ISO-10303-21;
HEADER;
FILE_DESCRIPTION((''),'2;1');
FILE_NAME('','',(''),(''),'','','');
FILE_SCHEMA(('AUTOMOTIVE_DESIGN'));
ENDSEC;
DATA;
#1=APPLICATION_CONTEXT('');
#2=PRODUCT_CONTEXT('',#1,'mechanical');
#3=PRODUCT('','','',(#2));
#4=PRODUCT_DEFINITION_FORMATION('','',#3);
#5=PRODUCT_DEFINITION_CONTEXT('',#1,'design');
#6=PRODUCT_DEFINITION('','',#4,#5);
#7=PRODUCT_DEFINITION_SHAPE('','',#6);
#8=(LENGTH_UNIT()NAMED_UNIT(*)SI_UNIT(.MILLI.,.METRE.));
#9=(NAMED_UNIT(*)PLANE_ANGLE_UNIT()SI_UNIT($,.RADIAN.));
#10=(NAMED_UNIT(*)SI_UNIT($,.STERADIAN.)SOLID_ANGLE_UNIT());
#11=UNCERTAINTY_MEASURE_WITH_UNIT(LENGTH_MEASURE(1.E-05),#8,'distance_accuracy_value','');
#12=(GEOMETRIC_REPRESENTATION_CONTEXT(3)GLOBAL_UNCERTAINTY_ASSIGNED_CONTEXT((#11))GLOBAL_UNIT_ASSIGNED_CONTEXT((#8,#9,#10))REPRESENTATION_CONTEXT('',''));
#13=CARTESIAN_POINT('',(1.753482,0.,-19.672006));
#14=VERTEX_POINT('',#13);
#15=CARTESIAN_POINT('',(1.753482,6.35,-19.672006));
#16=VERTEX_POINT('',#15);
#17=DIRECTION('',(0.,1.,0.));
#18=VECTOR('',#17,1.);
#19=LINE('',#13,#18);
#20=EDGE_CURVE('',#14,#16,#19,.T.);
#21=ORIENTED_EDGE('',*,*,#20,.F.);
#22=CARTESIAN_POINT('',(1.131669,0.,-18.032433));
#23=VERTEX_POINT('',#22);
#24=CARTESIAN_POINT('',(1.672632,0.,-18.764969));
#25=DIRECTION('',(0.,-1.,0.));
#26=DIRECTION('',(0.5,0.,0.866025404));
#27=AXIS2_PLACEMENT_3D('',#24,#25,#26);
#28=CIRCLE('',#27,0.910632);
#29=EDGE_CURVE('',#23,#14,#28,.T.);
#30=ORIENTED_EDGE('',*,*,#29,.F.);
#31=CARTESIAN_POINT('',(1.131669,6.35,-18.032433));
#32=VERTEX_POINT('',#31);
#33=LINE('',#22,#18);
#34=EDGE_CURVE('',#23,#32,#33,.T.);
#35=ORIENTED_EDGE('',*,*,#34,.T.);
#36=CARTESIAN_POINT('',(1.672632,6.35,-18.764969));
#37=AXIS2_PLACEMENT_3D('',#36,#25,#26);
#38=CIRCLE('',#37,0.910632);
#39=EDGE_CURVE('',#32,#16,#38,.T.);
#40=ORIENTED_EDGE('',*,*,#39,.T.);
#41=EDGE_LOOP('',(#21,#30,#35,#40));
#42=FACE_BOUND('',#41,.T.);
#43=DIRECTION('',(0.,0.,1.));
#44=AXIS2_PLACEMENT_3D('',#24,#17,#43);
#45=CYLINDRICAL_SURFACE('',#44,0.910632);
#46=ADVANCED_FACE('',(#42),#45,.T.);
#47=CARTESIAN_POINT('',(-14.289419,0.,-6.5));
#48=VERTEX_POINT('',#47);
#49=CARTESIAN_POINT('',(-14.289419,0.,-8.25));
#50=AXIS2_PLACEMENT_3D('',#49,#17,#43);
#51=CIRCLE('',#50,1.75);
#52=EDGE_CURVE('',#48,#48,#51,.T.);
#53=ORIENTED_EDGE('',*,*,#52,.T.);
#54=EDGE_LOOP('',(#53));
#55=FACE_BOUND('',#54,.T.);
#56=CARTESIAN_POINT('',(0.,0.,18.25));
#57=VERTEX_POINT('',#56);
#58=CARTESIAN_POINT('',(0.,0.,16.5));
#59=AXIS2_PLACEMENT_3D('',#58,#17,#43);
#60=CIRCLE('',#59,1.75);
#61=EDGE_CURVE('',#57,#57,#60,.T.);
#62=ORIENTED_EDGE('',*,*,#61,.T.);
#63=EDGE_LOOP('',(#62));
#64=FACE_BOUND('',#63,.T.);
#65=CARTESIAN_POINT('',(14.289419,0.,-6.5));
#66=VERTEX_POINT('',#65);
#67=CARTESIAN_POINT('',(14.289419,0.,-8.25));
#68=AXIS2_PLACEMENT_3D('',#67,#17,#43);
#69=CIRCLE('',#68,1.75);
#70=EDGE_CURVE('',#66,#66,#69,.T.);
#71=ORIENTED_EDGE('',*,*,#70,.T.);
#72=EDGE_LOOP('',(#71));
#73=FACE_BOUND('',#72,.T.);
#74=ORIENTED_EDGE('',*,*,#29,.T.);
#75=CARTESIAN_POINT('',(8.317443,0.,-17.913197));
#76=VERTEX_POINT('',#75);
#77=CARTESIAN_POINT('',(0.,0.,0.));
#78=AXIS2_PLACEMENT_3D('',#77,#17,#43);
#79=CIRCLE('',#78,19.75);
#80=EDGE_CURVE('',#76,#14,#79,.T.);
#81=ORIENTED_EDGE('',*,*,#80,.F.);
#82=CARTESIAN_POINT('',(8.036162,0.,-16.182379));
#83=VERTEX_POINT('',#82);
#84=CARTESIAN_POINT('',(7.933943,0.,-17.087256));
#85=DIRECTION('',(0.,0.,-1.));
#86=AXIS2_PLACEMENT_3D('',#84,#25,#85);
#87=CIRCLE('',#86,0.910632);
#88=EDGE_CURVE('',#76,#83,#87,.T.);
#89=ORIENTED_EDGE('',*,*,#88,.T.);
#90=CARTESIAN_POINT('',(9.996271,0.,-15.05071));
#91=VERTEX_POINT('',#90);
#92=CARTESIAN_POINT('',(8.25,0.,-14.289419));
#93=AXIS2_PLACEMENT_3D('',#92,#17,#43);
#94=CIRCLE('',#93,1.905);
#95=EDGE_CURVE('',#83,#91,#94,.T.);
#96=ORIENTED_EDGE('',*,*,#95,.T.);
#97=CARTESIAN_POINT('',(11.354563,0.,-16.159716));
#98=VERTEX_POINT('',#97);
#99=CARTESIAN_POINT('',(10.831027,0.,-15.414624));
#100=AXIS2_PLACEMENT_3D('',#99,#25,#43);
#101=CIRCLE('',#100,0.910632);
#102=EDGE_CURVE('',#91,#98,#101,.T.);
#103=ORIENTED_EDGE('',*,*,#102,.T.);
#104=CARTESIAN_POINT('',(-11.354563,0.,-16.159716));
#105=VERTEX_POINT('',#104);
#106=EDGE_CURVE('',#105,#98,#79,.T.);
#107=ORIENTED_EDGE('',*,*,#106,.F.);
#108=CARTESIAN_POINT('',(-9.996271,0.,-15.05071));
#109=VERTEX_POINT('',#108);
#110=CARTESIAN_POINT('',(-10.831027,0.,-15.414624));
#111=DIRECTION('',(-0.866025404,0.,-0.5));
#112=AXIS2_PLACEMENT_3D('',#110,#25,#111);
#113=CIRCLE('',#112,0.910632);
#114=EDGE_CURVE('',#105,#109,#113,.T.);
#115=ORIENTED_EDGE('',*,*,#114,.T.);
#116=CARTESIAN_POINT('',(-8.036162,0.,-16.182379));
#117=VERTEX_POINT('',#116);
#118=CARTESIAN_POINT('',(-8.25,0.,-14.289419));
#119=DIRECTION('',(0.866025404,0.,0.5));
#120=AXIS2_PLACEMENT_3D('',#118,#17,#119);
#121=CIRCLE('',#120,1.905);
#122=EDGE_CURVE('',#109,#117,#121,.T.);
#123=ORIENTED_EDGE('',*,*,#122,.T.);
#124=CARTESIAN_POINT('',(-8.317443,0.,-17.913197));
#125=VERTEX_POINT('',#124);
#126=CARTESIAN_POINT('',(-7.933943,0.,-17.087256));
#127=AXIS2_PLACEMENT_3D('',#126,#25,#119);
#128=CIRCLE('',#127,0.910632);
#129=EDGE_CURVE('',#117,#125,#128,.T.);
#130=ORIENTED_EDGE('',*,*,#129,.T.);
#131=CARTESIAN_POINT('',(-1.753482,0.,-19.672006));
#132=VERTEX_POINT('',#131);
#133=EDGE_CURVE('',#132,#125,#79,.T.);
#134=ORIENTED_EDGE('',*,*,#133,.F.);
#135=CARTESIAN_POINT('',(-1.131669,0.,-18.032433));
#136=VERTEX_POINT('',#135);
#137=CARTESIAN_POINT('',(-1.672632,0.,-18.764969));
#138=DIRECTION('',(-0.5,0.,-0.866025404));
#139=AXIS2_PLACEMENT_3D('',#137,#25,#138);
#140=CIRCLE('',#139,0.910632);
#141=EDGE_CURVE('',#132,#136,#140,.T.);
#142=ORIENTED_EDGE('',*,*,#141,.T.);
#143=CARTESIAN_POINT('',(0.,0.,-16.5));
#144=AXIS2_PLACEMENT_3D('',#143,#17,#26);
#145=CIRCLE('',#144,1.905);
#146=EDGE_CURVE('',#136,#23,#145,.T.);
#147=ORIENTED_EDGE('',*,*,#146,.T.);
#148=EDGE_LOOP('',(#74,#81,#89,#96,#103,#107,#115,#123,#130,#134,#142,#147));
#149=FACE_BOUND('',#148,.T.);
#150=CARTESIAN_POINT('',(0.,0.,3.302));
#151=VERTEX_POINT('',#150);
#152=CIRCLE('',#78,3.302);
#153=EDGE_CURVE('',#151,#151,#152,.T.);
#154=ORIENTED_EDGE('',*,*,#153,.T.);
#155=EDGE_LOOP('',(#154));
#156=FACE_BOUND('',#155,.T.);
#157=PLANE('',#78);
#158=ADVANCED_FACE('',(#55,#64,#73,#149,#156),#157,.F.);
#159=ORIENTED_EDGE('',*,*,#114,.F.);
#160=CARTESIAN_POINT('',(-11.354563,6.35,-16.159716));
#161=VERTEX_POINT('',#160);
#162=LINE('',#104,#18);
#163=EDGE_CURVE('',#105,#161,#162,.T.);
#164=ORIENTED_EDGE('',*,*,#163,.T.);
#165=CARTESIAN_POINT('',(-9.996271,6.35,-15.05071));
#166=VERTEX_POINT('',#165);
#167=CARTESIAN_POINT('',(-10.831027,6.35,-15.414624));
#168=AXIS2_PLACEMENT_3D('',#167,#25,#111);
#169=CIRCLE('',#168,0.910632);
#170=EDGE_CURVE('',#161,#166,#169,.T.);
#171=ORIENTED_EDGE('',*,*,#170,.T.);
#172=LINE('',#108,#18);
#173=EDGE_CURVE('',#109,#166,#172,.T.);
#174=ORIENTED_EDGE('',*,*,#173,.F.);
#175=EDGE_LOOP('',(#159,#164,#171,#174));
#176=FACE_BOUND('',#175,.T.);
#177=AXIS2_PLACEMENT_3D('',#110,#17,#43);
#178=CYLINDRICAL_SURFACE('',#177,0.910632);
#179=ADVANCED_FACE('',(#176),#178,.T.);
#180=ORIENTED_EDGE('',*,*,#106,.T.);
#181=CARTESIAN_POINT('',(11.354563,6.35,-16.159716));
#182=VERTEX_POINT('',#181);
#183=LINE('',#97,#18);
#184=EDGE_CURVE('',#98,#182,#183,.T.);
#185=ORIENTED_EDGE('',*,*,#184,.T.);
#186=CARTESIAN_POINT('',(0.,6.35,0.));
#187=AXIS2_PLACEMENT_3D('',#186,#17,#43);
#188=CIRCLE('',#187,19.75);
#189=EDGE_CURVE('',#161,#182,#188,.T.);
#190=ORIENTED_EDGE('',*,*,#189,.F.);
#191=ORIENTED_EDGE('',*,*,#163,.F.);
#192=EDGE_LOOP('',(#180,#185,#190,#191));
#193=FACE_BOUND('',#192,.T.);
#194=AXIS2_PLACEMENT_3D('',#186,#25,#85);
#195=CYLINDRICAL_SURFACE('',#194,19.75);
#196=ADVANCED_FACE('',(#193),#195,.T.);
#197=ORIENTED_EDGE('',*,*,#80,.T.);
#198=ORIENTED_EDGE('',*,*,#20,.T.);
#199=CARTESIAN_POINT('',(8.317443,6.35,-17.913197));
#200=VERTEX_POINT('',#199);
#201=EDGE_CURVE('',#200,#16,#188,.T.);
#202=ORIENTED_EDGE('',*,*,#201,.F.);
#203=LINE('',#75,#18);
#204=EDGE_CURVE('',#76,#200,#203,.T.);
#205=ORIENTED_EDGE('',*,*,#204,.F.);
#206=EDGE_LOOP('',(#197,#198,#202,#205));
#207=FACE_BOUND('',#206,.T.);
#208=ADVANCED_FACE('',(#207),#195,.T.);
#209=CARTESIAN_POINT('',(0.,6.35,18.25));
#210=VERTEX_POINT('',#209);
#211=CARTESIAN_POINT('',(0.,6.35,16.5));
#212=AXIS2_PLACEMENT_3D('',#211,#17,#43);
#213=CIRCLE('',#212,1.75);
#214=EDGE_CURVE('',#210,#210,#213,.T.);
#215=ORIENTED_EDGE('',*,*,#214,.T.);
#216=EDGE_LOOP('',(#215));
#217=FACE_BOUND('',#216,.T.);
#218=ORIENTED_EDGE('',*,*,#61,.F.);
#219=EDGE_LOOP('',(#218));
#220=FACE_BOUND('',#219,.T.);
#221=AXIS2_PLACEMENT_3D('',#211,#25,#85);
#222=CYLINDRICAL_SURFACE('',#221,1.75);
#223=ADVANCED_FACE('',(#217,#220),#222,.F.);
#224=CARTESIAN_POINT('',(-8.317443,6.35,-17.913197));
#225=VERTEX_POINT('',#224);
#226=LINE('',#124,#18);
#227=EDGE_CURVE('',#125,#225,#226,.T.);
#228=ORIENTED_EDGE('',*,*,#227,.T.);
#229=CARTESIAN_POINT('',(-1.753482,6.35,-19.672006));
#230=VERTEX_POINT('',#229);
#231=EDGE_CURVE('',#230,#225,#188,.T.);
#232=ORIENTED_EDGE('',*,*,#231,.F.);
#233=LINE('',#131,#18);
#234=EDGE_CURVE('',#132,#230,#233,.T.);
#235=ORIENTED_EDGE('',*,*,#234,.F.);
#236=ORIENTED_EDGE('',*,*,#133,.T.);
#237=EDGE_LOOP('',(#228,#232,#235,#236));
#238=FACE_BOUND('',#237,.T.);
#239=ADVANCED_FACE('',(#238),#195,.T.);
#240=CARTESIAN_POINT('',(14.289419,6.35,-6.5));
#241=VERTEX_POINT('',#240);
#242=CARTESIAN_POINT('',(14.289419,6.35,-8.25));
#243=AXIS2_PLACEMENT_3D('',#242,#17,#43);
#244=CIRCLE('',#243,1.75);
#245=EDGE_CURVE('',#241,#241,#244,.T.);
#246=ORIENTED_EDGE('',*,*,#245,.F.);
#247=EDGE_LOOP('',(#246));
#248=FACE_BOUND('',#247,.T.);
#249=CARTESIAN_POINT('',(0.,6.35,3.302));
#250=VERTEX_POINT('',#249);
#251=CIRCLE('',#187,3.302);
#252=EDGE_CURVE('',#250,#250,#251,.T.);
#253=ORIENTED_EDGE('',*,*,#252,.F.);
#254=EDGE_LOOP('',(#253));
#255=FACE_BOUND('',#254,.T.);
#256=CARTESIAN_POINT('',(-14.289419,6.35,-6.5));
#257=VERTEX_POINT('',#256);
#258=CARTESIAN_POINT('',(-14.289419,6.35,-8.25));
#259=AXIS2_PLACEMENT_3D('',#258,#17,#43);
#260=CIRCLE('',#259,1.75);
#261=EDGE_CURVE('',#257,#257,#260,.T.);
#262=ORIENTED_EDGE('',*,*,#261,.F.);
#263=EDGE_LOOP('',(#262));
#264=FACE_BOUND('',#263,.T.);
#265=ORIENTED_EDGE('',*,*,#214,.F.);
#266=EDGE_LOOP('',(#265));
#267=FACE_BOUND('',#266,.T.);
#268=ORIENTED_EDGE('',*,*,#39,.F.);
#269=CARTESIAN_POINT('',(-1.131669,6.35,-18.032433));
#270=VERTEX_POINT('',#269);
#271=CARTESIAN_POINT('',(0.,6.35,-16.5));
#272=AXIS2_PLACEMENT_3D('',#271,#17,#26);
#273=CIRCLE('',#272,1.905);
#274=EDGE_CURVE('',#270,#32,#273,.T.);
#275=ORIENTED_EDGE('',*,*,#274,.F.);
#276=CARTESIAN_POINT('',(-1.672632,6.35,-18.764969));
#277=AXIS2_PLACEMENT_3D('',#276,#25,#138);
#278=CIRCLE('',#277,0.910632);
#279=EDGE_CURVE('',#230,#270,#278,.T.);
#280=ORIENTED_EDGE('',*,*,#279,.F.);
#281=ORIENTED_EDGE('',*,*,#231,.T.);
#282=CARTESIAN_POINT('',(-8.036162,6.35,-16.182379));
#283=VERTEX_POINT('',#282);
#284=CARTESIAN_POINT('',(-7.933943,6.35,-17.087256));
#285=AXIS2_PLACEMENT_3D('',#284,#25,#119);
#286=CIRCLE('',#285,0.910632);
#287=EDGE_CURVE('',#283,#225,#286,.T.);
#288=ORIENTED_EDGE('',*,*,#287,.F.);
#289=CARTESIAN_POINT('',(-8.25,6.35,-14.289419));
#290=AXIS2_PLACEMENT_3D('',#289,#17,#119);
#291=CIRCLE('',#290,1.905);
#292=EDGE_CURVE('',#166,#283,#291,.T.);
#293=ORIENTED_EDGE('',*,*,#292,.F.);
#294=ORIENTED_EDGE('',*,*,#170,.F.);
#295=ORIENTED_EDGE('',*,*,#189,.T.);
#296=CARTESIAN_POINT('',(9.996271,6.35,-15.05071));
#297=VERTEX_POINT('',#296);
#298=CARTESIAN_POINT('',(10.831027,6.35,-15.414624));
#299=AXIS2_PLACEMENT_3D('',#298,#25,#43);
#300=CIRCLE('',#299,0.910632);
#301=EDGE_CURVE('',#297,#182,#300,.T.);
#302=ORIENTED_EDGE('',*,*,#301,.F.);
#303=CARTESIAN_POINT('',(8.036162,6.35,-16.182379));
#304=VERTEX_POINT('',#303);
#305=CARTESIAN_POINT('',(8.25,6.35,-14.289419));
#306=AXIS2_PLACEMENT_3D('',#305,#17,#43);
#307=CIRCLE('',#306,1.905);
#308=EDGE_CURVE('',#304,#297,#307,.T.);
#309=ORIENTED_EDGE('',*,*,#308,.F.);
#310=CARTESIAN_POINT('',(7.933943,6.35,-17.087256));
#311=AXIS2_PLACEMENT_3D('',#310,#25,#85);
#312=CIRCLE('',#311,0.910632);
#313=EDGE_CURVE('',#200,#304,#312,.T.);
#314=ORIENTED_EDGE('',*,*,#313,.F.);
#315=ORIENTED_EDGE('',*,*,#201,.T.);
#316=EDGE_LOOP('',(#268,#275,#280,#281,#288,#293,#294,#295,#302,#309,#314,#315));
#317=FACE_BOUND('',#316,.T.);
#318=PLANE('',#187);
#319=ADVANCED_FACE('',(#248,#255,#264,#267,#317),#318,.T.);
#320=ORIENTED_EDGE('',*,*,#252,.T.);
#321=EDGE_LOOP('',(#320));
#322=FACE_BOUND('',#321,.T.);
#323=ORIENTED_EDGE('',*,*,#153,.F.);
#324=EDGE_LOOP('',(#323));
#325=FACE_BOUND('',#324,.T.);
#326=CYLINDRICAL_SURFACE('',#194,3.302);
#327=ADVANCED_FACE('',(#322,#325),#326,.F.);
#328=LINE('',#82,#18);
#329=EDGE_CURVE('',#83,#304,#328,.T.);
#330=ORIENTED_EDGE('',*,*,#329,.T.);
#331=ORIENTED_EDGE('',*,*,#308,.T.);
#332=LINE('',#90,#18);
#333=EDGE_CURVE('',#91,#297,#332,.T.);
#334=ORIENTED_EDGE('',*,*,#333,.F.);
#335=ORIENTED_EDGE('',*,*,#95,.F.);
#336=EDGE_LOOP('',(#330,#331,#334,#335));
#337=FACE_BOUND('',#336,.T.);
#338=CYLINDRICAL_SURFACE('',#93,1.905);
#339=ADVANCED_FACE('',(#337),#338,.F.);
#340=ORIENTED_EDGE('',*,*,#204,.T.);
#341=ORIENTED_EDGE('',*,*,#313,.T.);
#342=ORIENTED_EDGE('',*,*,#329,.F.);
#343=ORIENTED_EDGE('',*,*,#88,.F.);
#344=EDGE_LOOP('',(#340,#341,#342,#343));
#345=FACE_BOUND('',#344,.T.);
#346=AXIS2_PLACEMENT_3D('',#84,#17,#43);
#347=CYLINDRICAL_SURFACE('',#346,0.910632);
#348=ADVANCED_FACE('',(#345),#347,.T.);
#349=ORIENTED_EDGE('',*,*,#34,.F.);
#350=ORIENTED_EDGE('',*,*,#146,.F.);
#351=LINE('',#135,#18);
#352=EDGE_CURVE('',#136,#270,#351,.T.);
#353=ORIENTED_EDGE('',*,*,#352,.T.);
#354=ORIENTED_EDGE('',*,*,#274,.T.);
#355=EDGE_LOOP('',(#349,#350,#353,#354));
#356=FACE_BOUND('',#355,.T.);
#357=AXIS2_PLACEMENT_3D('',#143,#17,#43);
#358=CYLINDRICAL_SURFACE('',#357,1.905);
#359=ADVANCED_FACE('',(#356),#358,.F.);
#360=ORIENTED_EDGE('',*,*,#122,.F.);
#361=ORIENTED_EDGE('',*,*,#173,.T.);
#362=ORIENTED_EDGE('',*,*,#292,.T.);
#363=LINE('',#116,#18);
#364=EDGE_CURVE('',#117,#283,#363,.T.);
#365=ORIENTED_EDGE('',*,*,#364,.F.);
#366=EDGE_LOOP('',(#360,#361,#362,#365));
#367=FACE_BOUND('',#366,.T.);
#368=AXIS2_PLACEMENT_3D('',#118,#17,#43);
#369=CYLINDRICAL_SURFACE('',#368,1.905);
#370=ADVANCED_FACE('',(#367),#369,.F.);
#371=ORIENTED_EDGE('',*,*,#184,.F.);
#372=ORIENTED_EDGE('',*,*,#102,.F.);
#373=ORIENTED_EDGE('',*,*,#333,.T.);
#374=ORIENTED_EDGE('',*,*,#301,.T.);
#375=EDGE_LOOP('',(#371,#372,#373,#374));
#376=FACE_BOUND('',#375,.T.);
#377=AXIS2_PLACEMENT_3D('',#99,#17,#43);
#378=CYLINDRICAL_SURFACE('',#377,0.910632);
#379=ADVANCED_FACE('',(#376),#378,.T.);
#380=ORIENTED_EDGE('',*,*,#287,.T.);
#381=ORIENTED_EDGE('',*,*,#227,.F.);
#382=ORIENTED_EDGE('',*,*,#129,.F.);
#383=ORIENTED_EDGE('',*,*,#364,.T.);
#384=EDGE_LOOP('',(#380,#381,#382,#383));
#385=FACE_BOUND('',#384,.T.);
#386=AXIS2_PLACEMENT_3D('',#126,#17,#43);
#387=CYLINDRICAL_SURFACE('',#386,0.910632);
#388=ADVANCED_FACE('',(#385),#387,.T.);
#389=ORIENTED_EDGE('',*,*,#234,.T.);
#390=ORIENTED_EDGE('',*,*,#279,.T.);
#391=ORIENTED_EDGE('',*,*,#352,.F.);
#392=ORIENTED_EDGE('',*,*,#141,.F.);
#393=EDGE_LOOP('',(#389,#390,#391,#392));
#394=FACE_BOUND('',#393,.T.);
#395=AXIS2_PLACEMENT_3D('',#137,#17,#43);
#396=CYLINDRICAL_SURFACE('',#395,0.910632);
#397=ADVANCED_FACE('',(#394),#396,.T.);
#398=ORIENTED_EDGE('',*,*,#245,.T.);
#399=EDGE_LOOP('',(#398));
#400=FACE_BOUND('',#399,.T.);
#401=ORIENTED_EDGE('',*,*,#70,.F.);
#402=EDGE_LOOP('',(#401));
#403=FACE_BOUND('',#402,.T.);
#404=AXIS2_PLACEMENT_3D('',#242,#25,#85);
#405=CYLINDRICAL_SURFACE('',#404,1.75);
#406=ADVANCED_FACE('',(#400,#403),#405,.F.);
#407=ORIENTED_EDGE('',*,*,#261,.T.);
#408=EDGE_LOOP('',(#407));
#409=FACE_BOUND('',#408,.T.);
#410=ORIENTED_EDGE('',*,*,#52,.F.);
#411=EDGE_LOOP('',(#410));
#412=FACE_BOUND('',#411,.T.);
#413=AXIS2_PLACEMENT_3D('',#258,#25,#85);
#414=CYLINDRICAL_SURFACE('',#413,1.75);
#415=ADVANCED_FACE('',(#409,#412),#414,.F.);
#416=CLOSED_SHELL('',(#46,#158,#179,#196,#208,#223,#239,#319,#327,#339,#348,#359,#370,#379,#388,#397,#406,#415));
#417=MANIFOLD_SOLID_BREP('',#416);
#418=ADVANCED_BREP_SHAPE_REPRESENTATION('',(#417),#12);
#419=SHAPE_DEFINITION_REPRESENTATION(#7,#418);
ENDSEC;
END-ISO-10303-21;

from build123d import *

# Parameters (mm, degrees)
SKETCH1_R           = 19.75
SKETCH1_R_2         = 3.302
SKETCH1_R_3         = 1.75
BOSS_EXTRUDE1_DEPTH = 6.35
CUT_EXTRUDE1_DEPTH  = 7.35
CIRPATTERN1_COUNT   = 3
CIRPATTERN1_ANGLE   = 60


with BuildPart() as part:
    # Sketch1 → Boss-Extrude1 (new body)
    with BuildSketch(Plane(origin=(0, 0, 0), x_dir=(1, 0, 0), z_dir=(0, 1, 0))):
        with Locations(Location((0, 0, 0), (0, 0, 270))):  # turned: the seam where the file's is
            Circle(SKETCH1_R)
        with Locations(Location((0, 0, 0), (0, 0, 270))):  # turned: the seam where the file's is
            Circle(SKETCH1_R_2, mode=Mode.SUBTRACT)
        with Locations(Location((-14.289419162, 8.25, 0), (0, 0, 270))):  # turned: the seam where the file's is
            Circle(SKETCH1_R_3, mode=Mode.SUBTRACT)
        with Locations(Location((0, -16.5, 0), (0, 0, 270))):  # turned: the seam where the file's is
            Circle(SKETCH1_R_3, mode=Mode.SUBTRACT)
        with Locations(Location((14.289419162, 8.25, 0), (0, 0, 270))):  # turned: the seam where the file's is
            Circle(SKETCH1_R_3, mode=Mode.SUBTRACT)
    extrude(amount=BOSS_EXTRUDE1_DEPTH)

    # Sketch2 → Cut-Extrude1 (cut, through all)
    with BuildSketch(Plane(origin=(0, 6.35, 0), x_dir=(1, 0, 0), z_dir=(0, 1, 0))):
        with BuildLine():
            ThreePointArc((8.036161973, 16.182379357), (7.2975, 12.639640768), (9.99627063, 15.050710096))
            ThreePointArc((9.99627063, 15.050710096), (10.255103275, 16.120005739), (11.354562521, 16.159715652))
            ThreePointArc((11.354562521, 16.159715652), (9.875, 17.104001725), (8.317443012, 17.913197418))
            ThreePointArc((8.317443012, 17.913197418), (8.832782842, 16.941182824), (8.036161973, 16.182379357))
        make_face()
    cut_extrude1 = extrude(amount=-CUT_EXTRUDE1_DEPTH, mode=Mode.SUBTRACT)

    # CirPattern1: Cut-Extrude1 ×3 about axis
    cirpattern1_axis = Axis((0, 0, 0), (0, 1, 0))
    for i in range(1, CIRPATTERN1_COUNT):
        add(cut_extrude1.rotate(cirpattern1_axis, i * CIRPATTERN1_ANGLE / (CIRPATTERN1_COUNT - 1)), mode=Mode.SUBTRACT)


solid = part.part
